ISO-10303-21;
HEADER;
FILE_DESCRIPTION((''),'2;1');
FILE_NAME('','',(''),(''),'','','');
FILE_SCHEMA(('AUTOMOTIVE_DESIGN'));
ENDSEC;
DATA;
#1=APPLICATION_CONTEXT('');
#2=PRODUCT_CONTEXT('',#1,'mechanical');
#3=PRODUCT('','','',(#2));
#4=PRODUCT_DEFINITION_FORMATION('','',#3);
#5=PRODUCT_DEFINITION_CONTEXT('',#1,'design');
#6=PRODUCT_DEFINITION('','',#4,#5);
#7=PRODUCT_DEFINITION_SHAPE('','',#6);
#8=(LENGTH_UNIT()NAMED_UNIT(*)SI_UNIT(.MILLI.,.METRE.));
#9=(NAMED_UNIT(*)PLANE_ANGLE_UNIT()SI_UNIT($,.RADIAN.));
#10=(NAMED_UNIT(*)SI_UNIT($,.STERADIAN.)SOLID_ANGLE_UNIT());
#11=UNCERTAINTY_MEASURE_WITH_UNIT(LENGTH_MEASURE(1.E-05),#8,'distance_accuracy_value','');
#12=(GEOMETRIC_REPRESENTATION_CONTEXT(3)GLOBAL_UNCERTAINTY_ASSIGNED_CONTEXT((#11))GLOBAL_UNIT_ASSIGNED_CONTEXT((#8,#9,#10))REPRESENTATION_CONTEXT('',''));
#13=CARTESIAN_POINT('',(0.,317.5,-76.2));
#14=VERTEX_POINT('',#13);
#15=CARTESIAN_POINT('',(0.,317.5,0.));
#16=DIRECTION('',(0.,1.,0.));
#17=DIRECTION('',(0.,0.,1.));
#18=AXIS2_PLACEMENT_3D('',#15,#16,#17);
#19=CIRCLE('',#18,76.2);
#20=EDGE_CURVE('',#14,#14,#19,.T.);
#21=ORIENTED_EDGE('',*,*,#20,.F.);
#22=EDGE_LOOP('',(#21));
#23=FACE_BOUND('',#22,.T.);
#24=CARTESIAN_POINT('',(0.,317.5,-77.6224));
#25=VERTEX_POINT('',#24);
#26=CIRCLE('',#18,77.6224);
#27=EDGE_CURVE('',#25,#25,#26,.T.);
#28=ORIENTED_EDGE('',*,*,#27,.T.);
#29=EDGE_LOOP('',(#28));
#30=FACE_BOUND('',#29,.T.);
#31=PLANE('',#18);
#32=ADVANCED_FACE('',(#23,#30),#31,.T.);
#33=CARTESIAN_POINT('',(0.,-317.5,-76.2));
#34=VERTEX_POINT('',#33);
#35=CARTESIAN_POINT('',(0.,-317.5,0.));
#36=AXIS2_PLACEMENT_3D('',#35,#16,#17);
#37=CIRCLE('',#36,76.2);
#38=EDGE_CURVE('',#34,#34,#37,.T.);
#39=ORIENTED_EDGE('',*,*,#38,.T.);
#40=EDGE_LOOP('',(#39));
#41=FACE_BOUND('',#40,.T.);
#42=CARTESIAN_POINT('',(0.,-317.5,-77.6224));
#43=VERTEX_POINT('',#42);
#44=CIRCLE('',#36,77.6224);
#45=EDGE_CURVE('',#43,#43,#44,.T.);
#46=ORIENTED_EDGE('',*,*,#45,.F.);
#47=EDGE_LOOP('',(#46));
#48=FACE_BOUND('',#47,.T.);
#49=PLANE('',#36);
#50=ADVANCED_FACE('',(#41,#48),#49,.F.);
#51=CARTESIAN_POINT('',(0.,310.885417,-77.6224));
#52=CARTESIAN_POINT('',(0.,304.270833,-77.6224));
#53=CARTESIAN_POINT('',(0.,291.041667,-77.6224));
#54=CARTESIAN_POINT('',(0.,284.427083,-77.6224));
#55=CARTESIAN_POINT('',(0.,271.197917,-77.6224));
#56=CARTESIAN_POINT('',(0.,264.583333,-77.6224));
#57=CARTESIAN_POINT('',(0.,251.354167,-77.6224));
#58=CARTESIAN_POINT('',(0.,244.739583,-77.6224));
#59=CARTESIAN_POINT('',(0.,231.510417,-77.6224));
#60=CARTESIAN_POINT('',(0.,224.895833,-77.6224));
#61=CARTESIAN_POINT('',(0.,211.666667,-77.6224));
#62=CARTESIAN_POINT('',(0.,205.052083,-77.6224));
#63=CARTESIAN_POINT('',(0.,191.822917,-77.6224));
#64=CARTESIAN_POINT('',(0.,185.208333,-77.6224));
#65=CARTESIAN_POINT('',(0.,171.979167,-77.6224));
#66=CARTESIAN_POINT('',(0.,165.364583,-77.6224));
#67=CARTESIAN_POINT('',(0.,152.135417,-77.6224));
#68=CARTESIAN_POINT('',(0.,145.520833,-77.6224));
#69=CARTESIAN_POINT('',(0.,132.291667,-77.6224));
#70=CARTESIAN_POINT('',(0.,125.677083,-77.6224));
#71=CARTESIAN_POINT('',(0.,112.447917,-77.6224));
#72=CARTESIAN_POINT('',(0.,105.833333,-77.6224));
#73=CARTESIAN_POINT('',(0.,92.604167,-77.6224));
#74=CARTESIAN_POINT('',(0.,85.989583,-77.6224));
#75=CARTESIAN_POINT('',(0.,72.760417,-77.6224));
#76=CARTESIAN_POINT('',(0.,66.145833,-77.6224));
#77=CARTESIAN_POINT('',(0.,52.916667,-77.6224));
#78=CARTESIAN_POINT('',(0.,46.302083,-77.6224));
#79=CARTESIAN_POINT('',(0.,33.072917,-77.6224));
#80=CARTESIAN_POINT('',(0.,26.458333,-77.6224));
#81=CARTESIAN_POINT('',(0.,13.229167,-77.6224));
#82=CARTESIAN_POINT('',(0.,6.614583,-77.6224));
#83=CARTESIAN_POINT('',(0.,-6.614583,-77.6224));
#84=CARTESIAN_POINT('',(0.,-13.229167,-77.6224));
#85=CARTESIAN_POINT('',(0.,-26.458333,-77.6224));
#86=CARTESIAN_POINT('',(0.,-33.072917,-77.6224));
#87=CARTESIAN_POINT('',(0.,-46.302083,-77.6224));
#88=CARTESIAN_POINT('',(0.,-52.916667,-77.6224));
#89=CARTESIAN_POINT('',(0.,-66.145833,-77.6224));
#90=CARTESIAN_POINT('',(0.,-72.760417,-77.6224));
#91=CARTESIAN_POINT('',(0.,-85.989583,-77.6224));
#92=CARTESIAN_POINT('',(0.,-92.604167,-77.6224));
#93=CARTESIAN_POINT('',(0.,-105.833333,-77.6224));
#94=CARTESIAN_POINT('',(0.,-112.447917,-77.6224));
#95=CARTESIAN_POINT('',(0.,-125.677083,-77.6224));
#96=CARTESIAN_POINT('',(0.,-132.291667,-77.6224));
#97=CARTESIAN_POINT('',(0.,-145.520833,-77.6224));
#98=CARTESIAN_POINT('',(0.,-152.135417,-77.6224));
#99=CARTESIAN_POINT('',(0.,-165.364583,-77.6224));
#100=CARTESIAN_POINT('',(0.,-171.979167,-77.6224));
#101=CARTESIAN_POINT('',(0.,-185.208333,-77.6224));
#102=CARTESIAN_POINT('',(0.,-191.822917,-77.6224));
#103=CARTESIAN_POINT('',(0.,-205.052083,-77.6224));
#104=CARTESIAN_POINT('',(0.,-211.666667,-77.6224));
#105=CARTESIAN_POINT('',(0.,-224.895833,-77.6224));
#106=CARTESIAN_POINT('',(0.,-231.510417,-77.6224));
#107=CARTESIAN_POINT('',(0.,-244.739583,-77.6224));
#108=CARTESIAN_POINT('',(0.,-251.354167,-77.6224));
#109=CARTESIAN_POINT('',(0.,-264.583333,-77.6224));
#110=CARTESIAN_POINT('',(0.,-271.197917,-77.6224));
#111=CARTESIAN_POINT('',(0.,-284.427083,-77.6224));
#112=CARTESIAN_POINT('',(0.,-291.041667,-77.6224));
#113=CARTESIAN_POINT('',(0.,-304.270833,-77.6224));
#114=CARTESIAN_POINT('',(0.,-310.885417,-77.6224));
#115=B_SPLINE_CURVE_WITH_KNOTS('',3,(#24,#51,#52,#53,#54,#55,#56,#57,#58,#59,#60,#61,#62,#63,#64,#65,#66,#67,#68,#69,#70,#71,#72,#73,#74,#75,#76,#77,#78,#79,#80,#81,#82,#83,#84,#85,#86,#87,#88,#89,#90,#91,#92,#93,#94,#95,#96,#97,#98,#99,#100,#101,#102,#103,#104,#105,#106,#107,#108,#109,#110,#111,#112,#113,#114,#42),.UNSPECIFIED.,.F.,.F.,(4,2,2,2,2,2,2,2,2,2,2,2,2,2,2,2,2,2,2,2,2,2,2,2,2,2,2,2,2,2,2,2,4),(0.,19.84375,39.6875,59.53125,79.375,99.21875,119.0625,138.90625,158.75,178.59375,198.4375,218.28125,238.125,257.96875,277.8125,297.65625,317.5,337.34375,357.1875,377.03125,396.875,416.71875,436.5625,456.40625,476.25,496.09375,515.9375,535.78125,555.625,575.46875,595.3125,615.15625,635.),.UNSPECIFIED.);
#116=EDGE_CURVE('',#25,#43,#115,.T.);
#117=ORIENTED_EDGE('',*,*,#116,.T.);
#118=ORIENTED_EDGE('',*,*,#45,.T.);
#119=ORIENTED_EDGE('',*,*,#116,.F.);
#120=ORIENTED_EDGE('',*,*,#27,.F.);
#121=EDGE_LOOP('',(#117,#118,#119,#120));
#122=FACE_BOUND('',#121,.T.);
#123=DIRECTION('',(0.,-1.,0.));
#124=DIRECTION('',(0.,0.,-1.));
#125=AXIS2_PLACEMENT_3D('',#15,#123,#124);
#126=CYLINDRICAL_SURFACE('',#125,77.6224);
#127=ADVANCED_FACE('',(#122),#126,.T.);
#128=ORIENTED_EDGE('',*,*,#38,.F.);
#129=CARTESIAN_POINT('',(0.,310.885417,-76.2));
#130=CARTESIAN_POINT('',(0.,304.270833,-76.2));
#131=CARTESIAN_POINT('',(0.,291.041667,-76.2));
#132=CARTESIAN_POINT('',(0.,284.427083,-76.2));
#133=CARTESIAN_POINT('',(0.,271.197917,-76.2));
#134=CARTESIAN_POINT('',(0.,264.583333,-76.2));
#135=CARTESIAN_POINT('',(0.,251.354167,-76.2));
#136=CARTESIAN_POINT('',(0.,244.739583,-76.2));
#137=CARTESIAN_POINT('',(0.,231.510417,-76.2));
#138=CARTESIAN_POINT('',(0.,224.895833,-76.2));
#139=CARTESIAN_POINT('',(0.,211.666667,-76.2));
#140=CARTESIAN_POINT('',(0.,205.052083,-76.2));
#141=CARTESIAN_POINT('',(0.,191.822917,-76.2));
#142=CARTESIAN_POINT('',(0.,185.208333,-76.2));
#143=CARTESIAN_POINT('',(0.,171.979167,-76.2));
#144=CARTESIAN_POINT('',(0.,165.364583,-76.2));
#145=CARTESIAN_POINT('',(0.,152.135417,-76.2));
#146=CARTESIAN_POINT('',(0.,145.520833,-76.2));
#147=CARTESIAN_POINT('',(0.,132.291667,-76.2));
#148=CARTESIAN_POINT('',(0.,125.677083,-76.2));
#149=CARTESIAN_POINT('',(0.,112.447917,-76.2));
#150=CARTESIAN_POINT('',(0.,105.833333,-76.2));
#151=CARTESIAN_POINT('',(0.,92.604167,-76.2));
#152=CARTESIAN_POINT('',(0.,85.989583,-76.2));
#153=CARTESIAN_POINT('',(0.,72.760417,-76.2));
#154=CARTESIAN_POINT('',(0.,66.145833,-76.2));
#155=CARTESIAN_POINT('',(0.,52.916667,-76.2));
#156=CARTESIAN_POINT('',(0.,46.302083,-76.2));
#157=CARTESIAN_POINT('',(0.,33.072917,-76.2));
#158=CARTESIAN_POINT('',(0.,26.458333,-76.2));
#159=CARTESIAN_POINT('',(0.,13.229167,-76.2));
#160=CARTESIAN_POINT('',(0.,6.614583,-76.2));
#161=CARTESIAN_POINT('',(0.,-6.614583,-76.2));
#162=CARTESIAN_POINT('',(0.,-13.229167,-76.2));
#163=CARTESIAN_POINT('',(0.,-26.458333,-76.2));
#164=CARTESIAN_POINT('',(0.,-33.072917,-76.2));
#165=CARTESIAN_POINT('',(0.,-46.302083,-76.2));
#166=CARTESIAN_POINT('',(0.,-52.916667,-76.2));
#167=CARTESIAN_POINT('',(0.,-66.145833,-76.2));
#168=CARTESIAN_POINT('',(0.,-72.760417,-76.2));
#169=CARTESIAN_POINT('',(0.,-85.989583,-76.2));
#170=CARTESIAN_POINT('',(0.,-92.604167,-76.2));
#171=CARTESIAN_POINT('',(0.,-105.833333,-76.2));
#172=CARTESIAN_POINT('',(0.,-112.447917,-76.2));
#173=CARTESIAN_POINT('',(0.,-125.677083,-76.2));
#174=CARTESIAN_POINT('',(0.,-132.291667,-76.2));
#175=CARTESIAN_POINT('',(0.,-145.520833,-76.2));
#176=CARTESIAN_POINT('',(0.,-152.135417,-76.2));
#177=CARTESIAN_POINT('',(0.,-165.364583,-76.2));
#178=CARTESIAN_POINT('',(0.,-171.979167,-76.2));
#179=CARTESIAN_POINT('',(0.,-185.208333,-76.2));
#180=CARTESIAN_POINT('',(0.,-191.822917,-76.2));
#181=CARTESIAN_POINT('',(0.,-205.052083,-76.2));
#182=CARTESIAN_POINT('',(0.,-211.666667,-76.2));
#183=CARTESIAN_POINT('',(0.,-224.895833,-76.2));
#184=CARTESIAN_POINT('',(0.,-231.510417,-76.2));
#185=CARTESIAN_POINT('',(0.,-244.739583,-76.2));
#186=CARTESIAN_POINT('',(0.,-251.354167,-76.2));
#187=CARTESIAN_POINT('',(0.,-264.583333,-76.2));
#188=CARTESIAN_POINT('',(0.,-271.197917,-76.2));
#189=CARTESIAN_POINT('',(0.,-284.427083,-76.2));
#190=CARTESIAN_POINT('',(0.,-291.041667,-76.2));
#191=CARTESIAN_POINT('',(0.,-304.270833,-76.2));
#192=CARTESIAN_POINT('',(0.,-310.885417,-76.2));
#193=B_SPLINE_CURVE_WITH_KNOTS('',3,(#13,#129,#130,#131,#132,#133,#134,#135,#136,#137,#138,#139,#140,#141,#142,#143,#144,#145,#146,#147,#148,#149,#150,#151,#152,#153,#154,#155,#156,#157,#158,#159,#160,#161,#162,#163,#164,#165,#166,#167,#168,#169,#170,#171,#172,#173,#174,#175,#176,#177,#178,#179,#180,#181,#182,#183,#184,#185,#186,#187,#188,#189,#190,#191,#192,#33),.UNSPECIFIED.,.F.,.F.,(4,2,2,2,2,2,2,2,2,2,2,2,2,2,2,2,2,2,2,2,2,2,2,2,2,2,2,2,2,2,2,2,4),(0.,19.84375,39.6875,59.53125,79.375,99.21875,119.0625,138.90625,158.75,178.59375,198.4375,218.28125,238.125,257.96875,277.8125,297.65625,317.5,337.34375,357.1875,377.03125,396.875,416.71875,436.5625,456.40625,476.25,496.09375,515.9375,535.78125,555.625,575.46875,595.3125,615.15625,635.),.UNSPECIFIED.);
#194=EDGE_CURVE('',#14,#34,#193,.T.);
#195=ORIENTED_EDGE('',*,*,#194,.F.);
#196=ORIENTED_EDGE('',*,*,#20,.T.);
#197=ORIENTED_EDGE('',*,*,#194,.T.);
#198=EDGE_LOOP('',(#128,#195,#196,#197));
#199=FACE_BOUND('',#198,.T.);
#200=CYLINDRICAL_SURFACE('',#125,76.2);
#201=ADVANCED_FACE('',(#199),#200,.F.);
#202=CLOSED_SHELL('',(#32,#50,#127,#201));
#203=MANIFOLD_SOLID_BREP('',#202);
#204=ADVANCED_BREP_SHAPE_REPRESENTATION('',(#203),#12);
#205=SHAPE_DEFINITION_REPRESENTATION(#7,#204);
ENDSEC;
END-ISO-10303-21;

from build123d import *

# Parameters (mm, degrees)
SKETCH1_R           = 77.6224
SKETCH1_R_2         = 76.2
BOSS_EXTRUDE1_DEPTH = 317.5


with BuildPart() as part:
    # Sketch1 → Boss-Extrude1 (new, symmetric)
    with BuildSketch(Plane(origin=(0, 0, 0), x_dir=(1, 0, 0), z_dir=(0, 1, 0))):
        with Locations(Location((0, 0, 0), (0, 0, 90))):
            Circle(SKETCH1_R)
        with Locations(Location((0, 0, 0), (0, 0, 90))):
            Circle(SKETCH1_R_2, mode=Mode.SUBTRACT)
    extrude(amount=BOSS_EXTRUDE1_DEPTH, both=True)


solid = part.part
